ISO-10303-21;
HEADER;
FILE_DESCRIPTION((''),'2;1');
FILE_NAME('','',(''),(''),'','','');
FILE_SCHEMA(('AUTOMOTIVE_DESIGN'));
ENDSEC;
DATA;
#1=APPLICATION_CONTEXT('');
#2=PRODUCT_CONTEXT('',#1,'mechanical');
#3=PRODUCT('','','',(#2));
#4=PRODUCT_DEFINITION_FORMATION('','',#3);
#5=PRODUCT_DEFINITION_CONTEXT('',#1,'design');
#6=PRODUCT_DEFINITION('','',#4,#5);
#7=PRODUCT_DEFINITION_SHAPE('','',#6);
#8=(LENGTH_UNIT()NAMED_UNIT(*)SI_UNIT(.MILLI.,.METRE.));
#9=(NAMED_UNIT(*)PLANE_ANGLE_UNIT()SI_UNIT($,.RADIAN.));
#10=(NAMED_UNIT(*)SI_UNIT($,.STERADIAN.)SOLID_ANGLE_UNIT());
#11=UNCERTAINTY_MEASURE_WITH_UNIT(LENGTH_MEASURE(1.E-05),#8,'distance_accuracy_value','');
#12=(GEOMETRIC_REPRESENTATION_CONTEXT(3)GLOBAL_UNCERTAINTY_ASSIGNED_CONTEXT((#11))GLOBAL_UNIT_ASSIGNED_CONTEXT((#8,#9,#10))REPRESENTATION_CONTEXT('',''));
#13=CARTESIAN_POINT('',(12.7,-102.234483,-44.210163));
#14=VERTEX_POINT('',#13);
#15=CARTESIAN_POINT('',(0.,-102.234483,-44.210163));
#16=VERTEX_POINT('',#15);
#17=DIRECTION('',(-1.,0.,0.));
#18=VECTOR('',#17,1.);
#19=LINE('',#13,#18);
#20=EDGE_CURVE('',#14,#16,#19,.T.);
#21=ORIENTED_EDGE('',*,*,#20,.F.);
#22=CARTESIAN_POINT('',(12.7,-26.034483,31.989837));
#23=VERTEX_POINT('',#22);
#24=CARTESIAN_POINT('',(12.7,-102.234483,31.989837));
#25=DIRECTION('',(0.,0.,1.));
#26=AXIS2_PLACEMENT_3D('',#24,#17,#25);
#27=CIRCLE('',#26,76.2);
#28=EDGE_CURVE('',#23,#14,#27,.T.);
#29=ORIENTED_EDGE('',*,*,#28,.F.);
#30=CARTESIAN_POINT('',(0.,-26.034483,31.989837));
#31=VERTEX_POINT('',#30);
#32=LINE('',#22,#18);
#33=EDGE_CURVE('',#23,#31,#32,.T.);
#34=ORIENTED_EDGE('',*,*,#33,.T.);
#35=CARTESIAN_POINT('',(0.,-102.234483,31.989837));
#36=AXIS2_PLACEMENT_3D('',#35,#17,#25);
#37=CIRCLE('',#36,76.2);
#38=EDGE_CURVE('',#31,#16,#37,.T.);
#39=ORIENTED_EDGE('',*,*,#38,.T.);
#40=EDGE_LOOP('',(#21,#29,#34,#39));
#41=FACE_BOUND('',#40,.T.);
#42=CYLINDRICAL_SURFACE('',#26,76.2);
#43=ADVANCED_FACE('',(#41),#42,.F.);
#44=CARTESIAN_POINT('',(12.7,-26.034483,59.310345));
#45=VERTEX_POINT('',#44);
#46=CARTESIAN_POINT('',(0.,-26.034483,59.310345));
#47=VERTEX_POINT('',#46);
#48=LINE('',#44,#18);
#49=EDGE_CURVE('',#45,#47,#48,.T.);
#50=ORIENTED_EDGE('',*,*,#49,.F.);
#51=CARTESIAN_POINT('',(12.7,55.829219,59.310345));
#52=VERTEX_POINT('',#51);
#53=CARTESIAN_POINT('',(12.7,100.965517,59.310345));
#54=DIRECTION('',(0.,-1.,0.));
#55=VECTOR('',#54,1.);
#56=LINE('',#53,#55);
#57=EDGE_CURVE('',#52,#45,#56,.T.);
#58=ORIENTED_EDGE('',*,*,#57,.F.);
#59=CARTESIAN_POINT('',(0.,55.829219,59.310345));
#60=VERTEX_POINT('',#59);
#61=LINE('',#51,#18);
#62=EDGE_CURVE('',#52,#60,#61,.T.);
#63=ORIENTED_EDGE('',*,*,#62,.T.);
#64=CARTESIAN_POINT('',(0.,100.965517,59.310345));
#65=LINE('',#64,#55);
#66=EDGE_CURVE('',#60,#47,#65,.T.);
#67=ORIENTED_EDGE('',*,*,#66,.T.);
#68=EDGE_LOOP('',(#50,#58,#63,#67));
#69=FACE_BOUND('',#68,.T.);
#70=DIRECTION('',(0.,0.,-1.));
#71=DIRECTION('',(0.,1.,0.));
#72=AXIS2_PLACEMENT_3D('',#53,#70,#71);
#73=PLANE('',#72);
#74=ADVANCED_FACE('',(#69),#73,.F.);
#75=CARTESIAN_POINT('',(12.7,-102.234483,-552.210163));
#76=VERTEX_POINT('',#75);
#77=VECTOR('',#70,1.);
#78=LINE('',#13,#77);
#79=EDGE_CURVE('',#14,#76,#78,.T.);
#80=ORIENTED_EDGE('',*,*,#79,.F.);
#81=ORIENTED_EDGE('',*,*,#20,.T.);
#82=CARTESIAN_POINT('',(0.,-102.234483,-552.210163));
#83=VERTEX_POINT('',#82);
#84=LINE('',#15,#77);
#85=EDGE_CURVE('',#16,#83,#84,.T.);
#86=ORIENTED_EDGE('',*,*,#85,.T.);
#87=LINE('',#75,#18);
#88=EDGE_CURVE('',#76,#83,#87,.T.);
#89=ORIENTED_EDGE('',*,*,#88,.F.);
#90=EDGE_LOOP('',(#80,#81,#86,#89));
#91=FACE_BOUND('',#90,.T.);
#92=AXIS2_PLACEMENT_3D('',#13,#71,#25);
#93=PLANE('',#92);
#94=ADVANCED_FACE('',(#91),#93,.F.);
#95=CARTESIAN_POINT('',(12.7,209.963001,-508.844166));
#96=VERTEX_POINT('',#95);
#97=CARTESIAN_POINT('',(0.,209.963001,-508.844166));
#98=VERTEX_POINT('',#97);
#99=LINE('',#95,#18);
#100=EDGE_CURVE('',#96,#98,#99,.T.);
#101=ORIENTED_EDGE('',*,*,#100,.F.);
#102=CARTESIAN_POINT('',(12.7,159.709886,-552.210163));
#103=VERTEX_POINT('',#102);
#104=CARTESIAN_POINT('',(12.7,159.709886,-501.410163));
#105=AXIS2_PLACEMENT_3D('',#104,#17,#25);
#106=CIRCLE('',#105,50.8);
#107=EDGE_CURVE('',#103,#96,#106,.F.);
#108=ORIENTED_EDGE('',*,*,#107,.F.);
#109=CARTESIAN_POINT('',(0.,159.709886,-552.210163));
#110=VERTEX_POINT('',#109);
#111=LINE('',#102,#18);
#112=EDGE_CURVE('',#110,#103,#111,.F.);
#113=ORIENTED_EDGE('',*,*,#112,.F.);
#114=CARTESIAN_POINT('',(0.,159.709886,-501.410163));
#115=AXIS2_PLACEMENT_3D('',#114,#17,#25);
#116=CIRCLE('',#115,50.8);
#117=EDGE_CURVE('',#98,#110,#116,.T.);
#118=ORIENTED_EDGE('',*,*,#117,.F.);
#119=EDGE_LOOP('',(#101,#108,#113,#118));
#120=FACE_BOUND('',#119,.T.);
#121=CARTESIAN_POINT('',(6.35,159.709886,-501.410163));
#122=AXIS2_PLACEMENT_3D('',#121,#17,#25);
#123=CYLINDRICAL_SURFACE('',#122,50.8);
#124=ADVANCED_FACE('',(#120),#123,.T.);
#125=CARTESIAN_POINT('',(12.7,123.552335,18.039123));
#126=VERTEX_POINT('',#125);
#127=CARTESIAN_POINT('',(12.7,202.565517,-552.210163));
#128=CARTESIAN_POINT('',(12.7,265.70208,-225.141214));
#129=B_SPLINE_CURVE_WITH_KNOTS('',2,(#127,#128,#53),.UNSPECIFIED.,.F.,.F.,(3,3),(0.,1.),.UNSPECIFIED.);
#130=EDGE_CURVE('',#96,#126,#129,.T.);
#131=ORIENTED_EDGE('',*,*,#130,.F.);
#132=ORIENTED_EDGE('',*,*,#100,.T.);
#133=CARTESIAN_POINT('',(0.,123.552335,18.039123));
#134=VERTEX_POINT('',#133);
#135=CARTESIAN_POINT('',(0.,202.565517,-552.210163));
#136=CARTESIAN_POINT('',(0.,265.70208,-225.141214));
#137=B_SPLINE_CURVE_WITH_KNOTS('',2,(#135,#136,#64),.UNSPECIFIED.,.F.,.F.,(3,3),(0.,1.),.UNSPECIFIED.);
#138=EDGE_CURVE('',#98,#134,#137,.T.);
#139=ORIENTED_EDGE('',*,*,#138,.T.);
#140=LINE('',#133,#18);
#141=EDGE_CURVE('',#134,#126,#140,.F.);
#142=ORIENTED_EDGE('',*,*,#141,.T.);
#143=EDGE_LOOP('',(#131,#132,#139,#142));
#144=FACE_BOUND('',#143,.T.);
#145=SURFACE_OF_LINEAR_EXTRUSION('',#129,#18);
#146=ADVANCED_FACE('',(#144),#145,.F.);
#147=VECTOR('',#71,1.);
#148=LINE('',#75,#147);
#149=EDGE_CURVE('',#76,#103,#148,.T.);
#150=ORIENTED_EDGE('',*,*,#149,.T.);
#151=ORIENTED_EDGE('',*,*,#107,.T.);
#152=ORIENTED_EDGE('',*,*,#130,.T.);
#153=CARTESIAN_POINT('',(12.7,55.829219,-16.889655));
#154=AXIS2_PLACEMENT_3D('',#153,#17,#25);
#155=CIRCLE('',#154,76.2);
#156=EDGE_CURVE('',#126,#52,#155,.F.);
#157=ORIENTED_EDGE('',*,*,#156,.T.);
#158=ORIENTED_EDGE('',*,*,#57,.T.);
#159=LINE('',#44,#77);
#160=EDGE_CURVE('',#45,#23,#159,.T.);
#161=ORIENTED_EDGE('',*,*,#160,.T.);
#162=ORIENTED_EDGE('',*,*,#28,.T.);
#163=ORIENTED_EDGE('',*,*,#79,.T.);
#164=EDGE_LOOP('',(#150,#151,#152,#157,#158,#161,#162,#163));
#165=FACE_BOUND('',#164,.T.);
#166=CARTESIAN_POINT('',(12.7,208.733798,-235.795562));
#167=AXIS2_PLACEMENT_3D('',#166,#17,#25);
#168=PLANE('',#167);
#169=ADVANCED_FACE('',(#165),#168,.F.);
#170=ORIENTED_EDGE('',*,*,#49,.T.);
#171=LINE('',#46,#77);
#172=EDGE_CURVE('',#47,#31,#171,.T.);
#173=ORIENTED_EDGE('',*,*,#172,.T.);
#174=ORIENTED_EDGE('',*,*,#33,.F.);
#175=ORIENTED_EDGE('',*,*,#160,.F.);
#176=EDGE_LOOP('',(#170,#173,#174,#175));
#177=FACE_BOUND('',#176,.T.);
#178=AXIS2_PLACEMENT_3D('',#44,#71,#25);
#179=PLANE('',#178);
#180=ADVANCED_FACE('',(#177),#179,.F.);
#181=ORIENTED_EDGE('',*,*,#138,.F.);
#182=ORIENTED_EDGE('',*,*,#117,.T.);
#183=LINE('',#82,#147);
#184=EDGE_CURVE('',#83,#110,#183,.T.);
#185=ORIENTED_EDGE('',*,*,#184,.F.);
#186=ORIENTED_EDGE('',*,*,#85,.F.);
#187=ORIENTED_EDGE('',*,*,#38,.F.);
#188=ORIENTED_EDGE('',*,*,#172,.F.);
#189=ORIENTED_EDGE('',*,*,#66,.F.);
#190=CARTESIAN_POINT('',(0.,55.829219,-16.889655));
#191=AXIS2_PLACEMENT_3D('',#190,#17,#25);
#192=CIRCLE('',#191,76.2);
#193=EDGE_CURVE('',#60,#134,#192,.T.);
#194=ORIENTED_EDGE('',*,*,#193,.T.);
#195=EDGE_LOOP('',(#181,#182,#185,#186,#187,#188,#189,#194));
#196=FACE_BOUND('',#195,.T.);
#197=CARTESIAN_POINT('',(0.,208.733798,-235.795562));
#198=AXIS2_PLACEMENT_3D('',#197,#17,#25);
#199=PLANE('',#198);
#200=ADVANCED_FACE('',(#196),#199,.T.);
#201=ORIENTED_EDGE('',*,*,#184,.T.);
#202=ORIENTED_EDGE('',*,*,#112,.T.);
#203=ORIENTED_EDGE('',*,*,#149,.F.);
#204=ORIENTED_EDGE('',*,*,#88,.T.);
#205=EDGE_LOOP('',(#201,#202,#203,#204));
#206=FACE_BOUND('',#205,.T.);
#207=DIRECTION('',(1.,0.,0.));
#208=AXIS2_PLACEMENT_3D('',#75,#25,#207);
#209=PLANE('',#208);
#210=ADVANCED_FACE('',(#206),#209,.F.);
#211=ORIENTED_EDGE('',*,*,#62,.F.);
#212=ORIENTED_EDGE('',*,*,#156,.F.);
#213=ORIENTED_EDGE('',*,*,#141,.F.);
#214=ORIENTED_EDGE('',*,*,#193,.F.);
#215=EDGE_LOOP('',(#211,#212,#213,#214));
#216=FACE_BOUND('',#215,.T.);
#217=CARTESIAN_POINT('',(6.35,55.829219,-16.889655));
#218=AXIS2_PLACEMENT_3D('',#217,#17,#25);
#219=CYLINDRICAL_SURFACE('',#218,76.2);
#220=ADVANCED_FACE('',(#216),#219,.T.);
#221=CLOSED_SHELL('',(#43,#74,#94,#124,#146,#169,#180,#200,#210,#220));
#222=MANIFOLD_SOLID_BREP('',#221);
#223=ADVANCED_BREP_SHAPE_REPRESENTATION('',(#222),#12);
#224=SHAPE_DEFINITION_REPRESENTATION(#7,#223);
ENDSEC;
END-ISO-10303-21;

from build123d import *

# Parameters (mm, degrees)
BOSS_EXTRUDE1_DEPTH = 12.7
FILLET1_R           = 76.2
FILLET2_R           = 50.8


with BuildPart() as part:
    # Sketch1 → Boss-Extrude1 (new body)
    with BuildSketch(Plane(origin=(0, 0, 0), x_dir=(0, 0, -1), z_dir=(1, 0, 0))):
        with BuildLine():
            Line((-59.310344828, 100.965517241), (-59.310344828, -26.034482759))
            Line((-59.310344828, -26.034482759), (-31.989836752, -26.034482759))
            ThreePointArc((-31.989836752, -26.034482759), (21.891699975, -48.352946032), (44.210163248, -102.234482759))
            Line((44.210163248, -102.234482759), (552.210163248, -102.234482759))
            Line((552.210163248, -102.234482759), (552.210163248, 202.565517241))
            add(Edge.make_bspline(
                [(552.210163248, 202.565517241), (225.141214241, 265.702079645), (-59.310344828, 100.965517241)],
                knots=[0, 0, 0, 1, 1, 1], degree=2))
        make_face()
    extrude(amount=BOSS_EXTRUDE1_DEPTH)

    # Fillet1
    fillet1_edges = [part.edges().sort_by_distance(p)[0] for p in [
        (6.35, 100.965517241, 59.310344828),
    ]]
    fillet(fillet1_edges, radius=FILLET1_R)

    # Fillet2
    fillet2_edges = [part.edges().sort_by_distance(p)[0] for p in [
        (6.35, 202.565517241, -552.210163248),
    ]]
    fillet(fillet2_edges, radius=FILLET2_R)


solid = part.part
